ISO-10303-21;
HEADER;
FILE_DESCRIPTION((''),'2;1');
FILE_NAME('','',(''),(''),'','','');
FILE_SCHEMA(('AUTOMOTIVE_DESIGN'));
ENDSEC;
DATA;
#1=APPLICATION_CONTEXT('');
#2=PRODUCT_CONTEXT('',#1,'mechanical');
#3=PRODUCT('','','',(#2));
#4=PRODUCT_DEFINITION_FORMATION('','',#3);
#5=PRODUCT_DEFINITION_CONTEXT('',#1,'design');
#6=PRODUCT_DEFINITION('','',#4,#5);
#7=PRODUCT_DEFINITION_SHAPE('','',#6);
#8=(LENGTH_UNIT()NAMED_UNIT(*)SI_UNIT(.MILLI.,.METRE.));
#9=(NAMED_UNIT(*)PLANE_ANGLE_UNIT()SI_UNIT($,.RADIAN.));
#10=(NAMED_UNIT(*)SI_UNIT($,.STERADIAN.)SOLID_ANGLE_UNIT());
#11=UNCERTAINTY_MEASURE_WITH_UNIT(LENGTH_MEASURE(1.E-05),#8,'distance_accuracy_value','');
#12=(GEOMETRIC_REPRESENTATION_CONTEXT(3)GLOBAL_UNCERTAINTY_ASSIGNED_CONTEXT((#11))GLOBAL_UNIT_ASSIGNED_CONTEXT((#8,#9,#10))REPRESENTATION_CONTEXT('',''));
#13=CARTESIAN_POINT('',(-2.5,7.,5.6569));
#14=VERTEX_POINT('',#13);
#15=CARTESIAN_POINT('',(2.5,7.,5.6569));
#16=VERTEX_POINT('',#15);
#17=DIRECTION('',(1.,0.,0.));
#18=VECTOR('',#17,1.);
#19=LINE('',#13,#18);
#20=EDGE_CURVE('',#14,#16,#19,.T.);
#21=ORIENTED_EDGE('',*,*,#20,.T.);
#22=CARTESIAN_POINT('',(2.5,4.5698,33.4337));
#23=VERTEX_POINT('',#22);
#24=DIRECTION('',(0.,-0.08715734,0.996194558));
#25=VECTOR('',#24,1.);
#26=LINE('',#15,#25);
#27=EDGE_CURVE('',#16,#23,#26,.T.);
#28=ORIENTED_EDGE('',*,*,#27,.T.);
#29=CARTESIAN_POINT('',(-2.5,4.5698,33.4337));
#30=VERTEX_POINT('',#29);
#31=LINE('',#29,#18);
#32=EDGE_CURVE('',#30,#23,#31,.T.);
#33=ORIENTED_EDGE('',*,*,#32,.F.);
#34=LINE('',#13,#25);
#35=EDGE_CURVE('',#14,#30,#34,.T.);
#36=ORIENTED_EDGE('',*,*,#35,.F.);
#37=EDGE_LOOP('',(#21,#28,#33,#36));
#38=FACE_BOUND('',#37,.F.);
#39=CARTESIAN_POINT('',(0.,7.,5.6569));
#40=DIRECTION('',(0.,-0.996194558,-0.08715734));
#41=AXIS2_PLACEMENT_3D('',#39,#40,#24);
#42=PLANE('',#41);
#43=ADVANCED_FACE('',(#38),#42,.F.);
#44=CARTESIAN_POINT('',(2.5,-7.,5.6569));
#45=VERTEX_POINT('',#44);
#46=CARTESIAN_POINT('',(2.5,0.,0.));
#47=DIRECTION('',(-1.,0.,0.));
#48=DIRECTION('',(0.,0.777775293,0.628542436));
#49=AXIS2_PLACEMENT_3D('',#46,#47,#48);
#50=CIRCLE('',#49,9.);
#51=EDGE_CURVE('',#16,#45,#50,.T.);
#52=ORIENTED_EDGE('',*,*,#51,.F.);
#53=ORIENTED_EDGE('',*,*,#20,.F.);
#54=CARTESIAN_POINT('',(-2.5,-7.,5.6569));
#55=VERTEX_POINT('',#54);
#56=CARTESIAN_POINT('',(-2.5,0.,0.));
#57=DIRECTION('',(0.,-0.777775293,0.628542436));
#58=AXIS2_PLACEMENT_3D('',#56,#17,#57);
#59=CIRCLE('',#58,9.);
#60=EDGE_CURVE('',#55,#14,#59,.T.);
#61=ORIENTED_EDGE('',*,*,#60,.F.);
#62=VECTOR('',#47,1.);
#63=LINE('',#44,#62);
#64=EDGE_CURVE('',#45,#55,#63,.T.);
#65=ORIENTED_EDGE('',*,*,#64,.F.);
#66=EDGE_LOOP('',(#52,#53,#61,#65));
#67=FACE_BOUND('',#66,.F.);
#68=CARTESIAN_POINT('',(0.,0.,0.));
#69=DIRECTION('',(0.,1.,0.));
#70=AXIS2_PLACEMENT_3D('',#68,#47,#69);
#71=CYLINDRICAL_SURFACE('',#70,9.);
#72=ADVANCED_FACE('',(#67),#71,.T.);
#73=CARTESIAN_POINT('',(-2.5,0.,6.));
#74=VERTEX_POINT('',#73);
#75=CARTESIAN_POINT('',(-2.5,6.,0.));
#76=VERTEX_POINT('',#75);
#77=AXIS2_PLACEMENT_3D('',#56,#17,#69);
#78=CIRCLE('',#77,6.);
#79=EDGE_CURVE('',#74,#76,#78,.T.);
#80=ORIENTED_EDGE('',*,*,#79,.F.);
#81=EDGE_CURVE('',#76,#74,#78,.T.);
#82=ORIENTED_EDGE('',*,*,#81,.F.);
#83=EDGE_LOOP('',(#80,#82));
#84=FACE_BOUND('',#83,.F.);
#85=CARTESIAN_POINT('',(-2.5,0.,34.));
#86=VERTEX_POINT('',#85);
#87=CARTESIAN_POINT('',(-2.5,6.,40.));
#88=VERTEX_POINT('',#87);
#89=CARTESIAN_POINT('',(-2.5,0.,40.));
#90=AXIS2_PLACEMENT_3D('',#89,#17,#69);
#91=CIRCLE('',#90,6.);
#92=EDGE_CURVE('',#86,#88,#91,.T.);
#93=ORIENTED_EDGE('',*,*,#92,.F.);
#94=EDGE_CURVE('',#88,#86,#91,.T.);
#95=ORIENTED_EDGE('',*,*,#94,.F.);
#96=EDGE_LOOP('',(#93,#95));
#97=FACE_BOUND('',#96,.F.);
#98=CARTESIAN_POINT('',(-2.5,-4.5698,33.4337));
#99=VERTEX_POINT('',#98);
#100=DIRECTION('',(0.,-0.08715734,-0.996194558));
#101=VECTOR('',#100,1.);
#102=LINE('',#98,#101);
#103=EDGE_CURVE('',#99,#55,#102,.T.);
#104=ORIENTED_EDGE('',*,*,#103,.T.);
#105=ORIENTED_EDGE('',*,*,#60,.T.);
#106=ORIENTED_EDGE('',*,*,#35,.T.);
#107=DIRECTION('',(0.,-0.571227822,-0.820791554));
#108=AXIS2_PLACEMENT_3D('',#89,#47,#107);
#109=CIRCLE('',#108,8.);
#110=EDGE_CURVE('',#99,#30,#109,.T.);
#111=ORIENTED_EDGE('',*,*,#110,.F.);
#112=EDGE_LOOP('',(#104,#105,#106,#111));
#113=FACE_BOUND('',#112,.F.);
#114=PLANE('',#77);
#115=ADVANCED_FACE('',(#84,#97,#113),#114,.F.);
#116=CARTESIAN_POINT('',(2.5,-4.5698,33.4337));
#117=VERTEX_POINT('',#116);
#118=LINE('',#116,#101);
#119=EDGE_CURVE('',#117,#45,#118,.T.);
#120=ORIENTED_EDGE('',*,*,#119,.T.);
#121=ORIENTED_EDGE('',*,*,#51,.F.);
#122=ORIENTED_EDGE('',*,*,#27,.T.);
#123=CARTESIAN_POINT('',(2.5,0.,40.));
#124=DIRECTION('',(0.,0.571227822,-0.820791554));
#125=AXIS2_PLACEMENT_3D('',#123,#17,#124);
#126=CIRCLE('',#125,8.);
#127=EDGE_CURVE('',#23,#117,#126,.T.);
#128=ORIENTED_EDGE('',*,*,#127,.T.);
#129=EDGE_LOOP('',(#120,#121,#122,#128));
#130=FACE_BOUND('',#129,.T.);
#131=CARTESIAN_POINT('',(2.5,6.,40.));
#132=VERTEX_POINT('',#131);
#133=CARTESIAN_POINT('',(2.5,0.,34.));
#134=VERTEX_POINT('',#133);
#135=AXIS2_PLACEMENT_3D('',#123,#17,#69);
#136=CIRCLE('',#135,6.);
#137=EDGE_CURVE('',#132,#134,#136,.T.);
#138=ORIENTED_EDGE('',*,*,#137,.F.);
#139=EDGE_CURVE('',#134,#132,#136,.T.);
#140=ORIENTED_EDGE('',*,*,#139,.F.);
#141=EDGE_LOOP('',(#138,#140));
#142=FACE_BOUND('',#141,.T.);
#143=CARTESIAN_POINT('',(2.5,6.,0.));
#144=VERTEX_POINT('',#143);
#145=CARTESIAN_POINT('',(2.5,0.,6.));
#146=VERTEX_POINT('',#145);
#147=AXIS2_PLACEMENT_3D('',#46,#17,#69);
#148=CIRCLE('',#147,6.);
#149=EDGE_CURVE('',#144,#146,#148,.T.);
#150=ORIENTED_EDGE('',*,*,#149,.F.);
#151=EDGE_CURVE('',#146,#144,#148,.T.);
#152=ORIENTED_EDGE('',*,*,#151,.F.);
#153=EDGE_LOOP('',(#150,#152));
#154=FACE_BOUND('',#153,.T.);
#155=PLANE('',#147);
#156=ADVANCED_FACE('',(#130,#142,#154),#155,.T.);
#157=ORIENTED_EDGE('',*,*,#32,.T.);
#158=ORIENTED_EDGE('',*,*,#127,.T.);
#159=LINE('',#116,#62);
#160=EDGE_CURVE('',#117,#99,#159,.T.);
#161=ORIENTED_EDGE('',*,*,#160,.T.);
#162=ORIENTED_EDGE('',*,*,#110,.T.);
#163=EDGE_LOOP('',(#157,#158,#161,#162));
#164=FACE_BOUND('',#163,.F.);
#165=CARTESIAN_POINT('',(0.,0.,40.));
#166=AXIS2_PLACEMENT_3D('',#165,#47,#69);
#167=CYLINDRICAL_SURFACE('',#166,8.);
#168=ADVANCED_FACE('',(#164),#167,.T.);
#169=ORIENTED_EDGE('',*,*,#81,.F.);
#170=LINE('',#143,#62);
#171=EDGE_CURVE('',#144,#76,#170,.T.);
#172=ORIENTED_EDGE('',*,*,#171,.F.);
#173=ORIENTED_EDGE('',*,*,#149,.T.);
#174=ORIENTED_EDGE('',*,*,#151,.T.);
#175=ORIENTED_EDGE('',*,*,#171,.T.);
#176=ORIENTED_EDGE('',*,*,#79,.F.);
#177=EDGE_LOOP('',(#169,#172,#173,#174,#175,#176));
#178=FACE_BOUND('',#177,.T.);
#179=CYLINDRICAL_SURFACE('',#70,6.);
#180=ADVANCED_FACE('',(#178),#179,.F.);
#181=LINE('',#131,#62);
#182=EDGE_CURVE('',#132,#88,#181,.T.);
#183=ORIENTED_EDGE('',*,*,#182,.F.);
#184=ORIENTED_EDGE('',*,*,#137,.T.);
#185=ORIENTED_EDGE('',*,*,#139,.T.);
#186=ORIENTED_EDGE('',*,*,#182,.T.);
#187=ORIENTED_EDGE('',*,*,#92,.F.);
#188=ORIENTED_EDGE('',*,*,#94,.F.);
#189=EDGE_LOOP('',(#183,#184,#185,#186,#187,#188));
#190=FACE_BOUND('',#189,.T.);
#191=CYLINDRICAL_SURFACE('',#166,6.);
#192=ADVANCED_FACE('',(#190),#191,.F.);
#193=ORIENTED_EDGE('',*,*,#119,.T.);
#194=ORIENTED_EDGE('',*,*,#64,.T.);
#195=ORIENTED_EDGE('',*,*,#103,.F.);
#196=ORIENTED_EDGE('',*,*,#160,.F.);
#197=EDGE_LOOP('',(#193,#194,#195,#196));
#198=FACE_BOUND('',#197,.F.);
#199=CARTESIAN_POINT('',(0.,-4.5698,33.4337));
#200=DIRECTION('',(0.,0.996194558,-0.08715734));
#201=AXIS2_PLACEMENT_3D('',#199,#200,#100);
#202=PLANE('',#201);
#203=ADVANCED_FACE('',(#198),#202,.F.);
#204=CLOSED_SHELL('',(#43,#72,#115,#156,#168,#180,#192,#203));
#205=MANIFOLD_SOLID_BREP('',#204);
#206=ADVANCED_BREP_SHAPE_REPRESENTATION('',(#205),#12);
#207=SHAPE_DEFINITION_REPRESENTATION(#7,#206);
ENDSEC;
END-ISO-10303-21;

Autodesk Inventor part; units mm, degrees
ref_plane "YZ Plane" through (0, 0, 0) normal (1, 0, 0) x (0, 1, 0)
ref_plane "XZ Plane" through (0, 0, 0) normal (0, 1, 0) x (-1, 0, 0)
ref_plane "XY Plane" through (0, 0, 0) normal (0, 0, 1) x (1, 0, 0)
sketch "草圖1" plane through (0, 0, 0) normal (1, 0, 0) x (0, 1, 0)
  line L0 (0, 0) -> (0, 40)
  circle A0 centre (0, 40) radius 6
  circle A1 centre (0, 0) radius 6
  circle A2 centre (0, 40) radius 8
  circle A3 centre (0, 0) radius 9
  line L1 (7, 5.6569) -> (4.5698, 33.4337)
  line L2 (-4.5698, 33.4337) -> (-7, 5.6569)
  dimension "d0" = 40
  dimension "d1" = 12
  dimension "d2" = 16
  dimension "d3" = 18
  dimension "d4" = 5
  dimension "d5" = 5
  dimension "d6" = 7
  dimension "d7" = 7
extrude "擠出1" add sketch "草圖1" along normal mid plane 5
equation "\"d5\" = d4"
equation "\"d7\" = d6"
properties part number "Link_OD" material "ABS 塑膠"
